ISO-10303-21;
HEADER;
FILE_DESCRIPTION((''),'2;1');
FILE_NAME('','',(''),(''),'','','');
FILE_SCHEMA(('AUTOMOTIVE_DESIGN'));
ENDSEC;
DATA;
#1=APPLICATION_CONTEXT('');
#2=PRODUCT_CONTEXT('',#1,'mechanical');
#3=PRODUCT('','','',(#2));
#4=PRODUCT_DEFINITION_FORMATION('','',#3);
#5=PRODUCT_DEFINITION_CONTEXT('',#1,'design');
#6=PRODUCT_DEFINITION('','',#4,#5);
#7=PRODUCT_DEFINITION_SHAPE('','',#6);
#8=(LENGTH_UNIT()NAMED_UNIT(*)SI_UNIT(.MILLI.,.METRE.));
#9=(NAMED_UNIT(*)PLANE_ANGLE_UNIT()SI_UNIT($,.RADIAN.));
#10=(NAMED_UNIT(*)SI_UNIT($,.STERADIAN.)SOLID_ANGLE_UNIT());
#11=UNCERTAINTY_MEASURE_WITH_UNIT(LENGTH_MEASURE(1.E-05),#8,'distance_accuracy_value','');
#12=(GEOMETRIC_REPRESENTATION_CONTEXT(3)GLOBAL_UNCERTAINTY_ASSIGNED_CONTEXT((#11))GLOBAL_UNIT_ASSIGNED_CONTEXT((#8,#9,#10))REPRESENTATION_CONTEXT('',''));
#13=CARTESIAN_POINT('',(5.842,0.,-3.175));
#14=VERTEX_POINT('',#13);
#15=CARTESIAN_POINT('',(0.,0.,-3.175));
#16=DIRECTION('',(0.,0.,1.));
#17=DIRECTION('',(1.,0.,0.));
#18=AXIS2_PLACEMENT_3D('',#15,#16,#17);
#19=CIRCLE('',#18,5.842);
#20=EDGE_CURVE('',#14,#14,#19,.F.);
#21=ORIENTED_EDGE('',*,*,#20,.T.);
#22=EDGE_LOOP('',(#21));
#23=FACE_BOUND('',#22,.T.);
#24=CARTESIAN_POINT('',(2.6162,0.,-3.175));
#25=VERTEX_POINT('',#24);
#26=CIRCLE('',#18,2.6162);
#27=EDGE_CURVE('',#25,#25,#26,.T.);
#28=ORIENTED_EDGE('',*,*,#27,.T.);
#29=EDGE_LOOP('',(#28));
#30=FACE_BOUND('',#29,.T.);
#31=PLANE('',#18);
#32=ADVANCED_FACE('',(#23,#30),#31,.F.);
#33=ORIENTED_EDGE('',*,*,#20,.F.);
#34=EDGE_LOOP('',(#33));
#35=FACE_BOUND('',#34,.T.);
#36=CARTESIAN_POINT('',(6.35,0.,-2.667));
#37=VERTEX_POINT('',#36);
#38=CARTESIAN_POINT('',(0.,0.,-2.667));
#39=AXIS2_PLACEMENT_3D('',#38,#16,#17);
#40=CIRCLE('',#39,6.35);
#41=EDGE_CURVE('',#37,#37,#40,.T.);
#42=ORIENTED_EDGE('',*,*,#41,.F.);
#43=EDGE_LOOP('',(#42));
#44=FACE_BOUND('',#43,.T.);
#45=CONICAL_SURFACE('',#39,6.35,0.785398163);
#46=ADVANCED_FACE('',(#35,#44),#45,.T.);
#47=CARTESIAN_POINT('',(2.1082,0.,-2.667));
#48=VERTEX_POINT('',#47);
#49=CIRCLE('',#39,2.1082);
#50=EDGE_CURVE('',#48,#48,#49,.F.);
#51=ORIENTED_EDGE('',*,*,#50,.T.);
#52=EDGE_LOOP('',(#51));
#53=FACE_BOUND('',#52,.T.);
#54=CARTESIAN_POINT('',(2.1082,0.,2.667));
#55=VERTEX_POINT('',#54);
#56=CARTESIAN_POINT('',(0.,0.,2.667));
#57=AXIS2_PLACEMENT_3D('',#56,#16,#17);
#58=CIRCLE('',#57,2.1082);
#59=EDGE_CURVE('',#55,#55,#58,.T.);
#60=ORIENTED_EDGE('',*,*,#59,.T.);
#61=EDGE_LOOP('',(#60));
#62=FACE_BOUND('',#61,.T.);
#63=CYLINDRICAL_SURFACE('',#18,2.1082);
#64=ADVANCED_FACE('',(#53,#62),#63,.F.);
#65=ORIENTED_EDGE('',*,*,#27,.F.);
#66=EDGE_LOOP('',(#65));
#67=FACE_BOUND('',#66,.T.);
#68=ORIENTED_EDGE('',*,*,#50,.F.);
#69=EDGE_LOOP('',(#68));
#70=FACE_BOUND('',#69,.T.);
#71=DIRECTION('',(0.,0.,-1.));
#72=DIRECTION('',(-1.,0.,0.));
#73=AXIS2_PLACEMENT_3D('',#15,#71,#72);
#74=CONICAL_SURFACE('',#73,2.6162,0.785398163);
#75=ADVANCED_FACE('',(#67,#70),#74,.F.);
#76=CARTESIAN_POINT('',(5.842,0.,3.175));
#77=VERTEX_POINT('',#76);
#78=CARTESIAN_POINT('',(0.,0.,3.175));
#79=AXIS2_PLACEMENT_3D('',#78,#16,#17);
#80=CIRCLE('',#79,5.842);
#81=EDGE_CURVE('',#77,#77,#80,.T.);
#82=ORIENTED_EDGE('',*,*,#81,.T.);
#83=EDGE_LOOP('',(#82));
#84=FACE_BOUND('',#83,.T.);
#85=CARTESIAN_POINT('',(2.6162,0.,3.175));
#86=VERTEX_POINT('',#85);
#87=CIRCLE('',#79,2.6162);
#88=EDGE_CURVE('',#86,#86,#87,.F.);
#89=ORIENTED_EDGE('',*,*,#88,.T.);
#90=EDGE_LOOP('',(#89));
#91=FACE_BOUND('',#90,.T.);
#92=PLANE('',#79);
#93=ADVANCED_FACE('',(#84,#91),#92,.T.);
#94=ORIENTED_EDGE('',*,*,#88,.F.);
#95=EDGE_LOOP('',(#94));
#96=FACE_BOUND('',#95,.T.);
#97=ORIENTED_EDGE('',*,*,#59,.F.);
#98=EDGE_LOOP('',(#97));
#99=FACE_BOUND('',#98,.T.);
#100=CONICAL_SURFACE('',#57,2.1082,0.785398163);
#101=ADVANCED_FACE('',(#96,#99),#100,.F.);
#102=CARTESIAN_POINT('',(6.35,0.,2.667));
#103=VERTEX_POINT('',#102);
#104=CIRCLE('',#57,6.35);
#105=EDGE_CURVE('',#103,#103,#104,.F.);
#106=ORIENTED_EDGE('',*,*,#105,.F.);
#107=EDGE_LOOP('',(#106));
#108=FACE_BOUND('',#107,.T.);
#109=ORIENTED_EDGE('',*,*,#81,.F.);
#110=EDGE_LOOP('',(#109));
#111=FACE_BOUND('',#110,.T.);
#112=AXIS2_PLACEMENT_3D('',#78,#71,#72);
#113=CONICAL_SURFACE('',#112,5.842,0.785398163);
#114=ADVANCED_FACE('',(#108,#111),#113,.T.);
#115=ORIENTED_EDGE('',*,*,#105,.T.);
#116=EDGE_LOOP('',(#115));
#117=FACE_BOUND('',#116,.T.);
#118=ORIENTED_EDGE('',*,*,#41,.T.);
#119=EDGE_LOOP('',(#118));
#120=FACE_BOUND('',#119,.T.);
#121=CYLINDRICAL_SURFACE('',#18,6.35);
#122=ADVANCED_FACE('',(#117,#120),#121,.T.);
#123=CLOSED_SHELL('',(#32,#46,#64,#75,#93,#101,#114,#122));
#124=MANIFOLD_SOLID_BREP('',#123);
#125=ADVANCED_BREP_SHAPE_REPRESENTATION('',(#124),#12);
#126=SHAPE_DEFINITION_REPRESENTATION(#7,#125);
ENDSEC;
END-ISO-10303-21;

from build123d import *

# Parameters (mm, degrees)
SKETCH3_R                = 6.35
SKETCH3_R_2              = 2.1082
BOSS_EXTRUDE1_DEPTH      = 3.175
BOSS_EXTRUDE1_DEPTH_BACK = 3.175
CHAMFER1_SIZE            = 0.508


with BuildPart() as part:
    # Sketch3 → Boss-Extrude1 (new body, two sides)
    with BuildSketch(Plane.XY) as boss_extrude1_sk:
        Circle(SKETCH3_R)
        Circle(SKETCH3_R_2, mode=Mode.SUBTRACT)
    extrude(amount=BOSS_EXTRUDE1_DEPTH)
    extrude(boss_extrude1_sk.sketch, amount=-BOSS_EXTRUDE1_DEPTH_BACK)

    # Chamfer1
    chamfer1_edges = [part.edges().sort_by_distance(p)[0] for p in [
        (-6.35, 0, -3.175),
        (-2.1082, 0, -3.175),
        (-6.35, 0, 3.175),
        (-2.1082, 0, 3.175),
    ]]
    chamfer(chamfer1_edges, length=CHAMFER1_SIZE)


solid = part.part
